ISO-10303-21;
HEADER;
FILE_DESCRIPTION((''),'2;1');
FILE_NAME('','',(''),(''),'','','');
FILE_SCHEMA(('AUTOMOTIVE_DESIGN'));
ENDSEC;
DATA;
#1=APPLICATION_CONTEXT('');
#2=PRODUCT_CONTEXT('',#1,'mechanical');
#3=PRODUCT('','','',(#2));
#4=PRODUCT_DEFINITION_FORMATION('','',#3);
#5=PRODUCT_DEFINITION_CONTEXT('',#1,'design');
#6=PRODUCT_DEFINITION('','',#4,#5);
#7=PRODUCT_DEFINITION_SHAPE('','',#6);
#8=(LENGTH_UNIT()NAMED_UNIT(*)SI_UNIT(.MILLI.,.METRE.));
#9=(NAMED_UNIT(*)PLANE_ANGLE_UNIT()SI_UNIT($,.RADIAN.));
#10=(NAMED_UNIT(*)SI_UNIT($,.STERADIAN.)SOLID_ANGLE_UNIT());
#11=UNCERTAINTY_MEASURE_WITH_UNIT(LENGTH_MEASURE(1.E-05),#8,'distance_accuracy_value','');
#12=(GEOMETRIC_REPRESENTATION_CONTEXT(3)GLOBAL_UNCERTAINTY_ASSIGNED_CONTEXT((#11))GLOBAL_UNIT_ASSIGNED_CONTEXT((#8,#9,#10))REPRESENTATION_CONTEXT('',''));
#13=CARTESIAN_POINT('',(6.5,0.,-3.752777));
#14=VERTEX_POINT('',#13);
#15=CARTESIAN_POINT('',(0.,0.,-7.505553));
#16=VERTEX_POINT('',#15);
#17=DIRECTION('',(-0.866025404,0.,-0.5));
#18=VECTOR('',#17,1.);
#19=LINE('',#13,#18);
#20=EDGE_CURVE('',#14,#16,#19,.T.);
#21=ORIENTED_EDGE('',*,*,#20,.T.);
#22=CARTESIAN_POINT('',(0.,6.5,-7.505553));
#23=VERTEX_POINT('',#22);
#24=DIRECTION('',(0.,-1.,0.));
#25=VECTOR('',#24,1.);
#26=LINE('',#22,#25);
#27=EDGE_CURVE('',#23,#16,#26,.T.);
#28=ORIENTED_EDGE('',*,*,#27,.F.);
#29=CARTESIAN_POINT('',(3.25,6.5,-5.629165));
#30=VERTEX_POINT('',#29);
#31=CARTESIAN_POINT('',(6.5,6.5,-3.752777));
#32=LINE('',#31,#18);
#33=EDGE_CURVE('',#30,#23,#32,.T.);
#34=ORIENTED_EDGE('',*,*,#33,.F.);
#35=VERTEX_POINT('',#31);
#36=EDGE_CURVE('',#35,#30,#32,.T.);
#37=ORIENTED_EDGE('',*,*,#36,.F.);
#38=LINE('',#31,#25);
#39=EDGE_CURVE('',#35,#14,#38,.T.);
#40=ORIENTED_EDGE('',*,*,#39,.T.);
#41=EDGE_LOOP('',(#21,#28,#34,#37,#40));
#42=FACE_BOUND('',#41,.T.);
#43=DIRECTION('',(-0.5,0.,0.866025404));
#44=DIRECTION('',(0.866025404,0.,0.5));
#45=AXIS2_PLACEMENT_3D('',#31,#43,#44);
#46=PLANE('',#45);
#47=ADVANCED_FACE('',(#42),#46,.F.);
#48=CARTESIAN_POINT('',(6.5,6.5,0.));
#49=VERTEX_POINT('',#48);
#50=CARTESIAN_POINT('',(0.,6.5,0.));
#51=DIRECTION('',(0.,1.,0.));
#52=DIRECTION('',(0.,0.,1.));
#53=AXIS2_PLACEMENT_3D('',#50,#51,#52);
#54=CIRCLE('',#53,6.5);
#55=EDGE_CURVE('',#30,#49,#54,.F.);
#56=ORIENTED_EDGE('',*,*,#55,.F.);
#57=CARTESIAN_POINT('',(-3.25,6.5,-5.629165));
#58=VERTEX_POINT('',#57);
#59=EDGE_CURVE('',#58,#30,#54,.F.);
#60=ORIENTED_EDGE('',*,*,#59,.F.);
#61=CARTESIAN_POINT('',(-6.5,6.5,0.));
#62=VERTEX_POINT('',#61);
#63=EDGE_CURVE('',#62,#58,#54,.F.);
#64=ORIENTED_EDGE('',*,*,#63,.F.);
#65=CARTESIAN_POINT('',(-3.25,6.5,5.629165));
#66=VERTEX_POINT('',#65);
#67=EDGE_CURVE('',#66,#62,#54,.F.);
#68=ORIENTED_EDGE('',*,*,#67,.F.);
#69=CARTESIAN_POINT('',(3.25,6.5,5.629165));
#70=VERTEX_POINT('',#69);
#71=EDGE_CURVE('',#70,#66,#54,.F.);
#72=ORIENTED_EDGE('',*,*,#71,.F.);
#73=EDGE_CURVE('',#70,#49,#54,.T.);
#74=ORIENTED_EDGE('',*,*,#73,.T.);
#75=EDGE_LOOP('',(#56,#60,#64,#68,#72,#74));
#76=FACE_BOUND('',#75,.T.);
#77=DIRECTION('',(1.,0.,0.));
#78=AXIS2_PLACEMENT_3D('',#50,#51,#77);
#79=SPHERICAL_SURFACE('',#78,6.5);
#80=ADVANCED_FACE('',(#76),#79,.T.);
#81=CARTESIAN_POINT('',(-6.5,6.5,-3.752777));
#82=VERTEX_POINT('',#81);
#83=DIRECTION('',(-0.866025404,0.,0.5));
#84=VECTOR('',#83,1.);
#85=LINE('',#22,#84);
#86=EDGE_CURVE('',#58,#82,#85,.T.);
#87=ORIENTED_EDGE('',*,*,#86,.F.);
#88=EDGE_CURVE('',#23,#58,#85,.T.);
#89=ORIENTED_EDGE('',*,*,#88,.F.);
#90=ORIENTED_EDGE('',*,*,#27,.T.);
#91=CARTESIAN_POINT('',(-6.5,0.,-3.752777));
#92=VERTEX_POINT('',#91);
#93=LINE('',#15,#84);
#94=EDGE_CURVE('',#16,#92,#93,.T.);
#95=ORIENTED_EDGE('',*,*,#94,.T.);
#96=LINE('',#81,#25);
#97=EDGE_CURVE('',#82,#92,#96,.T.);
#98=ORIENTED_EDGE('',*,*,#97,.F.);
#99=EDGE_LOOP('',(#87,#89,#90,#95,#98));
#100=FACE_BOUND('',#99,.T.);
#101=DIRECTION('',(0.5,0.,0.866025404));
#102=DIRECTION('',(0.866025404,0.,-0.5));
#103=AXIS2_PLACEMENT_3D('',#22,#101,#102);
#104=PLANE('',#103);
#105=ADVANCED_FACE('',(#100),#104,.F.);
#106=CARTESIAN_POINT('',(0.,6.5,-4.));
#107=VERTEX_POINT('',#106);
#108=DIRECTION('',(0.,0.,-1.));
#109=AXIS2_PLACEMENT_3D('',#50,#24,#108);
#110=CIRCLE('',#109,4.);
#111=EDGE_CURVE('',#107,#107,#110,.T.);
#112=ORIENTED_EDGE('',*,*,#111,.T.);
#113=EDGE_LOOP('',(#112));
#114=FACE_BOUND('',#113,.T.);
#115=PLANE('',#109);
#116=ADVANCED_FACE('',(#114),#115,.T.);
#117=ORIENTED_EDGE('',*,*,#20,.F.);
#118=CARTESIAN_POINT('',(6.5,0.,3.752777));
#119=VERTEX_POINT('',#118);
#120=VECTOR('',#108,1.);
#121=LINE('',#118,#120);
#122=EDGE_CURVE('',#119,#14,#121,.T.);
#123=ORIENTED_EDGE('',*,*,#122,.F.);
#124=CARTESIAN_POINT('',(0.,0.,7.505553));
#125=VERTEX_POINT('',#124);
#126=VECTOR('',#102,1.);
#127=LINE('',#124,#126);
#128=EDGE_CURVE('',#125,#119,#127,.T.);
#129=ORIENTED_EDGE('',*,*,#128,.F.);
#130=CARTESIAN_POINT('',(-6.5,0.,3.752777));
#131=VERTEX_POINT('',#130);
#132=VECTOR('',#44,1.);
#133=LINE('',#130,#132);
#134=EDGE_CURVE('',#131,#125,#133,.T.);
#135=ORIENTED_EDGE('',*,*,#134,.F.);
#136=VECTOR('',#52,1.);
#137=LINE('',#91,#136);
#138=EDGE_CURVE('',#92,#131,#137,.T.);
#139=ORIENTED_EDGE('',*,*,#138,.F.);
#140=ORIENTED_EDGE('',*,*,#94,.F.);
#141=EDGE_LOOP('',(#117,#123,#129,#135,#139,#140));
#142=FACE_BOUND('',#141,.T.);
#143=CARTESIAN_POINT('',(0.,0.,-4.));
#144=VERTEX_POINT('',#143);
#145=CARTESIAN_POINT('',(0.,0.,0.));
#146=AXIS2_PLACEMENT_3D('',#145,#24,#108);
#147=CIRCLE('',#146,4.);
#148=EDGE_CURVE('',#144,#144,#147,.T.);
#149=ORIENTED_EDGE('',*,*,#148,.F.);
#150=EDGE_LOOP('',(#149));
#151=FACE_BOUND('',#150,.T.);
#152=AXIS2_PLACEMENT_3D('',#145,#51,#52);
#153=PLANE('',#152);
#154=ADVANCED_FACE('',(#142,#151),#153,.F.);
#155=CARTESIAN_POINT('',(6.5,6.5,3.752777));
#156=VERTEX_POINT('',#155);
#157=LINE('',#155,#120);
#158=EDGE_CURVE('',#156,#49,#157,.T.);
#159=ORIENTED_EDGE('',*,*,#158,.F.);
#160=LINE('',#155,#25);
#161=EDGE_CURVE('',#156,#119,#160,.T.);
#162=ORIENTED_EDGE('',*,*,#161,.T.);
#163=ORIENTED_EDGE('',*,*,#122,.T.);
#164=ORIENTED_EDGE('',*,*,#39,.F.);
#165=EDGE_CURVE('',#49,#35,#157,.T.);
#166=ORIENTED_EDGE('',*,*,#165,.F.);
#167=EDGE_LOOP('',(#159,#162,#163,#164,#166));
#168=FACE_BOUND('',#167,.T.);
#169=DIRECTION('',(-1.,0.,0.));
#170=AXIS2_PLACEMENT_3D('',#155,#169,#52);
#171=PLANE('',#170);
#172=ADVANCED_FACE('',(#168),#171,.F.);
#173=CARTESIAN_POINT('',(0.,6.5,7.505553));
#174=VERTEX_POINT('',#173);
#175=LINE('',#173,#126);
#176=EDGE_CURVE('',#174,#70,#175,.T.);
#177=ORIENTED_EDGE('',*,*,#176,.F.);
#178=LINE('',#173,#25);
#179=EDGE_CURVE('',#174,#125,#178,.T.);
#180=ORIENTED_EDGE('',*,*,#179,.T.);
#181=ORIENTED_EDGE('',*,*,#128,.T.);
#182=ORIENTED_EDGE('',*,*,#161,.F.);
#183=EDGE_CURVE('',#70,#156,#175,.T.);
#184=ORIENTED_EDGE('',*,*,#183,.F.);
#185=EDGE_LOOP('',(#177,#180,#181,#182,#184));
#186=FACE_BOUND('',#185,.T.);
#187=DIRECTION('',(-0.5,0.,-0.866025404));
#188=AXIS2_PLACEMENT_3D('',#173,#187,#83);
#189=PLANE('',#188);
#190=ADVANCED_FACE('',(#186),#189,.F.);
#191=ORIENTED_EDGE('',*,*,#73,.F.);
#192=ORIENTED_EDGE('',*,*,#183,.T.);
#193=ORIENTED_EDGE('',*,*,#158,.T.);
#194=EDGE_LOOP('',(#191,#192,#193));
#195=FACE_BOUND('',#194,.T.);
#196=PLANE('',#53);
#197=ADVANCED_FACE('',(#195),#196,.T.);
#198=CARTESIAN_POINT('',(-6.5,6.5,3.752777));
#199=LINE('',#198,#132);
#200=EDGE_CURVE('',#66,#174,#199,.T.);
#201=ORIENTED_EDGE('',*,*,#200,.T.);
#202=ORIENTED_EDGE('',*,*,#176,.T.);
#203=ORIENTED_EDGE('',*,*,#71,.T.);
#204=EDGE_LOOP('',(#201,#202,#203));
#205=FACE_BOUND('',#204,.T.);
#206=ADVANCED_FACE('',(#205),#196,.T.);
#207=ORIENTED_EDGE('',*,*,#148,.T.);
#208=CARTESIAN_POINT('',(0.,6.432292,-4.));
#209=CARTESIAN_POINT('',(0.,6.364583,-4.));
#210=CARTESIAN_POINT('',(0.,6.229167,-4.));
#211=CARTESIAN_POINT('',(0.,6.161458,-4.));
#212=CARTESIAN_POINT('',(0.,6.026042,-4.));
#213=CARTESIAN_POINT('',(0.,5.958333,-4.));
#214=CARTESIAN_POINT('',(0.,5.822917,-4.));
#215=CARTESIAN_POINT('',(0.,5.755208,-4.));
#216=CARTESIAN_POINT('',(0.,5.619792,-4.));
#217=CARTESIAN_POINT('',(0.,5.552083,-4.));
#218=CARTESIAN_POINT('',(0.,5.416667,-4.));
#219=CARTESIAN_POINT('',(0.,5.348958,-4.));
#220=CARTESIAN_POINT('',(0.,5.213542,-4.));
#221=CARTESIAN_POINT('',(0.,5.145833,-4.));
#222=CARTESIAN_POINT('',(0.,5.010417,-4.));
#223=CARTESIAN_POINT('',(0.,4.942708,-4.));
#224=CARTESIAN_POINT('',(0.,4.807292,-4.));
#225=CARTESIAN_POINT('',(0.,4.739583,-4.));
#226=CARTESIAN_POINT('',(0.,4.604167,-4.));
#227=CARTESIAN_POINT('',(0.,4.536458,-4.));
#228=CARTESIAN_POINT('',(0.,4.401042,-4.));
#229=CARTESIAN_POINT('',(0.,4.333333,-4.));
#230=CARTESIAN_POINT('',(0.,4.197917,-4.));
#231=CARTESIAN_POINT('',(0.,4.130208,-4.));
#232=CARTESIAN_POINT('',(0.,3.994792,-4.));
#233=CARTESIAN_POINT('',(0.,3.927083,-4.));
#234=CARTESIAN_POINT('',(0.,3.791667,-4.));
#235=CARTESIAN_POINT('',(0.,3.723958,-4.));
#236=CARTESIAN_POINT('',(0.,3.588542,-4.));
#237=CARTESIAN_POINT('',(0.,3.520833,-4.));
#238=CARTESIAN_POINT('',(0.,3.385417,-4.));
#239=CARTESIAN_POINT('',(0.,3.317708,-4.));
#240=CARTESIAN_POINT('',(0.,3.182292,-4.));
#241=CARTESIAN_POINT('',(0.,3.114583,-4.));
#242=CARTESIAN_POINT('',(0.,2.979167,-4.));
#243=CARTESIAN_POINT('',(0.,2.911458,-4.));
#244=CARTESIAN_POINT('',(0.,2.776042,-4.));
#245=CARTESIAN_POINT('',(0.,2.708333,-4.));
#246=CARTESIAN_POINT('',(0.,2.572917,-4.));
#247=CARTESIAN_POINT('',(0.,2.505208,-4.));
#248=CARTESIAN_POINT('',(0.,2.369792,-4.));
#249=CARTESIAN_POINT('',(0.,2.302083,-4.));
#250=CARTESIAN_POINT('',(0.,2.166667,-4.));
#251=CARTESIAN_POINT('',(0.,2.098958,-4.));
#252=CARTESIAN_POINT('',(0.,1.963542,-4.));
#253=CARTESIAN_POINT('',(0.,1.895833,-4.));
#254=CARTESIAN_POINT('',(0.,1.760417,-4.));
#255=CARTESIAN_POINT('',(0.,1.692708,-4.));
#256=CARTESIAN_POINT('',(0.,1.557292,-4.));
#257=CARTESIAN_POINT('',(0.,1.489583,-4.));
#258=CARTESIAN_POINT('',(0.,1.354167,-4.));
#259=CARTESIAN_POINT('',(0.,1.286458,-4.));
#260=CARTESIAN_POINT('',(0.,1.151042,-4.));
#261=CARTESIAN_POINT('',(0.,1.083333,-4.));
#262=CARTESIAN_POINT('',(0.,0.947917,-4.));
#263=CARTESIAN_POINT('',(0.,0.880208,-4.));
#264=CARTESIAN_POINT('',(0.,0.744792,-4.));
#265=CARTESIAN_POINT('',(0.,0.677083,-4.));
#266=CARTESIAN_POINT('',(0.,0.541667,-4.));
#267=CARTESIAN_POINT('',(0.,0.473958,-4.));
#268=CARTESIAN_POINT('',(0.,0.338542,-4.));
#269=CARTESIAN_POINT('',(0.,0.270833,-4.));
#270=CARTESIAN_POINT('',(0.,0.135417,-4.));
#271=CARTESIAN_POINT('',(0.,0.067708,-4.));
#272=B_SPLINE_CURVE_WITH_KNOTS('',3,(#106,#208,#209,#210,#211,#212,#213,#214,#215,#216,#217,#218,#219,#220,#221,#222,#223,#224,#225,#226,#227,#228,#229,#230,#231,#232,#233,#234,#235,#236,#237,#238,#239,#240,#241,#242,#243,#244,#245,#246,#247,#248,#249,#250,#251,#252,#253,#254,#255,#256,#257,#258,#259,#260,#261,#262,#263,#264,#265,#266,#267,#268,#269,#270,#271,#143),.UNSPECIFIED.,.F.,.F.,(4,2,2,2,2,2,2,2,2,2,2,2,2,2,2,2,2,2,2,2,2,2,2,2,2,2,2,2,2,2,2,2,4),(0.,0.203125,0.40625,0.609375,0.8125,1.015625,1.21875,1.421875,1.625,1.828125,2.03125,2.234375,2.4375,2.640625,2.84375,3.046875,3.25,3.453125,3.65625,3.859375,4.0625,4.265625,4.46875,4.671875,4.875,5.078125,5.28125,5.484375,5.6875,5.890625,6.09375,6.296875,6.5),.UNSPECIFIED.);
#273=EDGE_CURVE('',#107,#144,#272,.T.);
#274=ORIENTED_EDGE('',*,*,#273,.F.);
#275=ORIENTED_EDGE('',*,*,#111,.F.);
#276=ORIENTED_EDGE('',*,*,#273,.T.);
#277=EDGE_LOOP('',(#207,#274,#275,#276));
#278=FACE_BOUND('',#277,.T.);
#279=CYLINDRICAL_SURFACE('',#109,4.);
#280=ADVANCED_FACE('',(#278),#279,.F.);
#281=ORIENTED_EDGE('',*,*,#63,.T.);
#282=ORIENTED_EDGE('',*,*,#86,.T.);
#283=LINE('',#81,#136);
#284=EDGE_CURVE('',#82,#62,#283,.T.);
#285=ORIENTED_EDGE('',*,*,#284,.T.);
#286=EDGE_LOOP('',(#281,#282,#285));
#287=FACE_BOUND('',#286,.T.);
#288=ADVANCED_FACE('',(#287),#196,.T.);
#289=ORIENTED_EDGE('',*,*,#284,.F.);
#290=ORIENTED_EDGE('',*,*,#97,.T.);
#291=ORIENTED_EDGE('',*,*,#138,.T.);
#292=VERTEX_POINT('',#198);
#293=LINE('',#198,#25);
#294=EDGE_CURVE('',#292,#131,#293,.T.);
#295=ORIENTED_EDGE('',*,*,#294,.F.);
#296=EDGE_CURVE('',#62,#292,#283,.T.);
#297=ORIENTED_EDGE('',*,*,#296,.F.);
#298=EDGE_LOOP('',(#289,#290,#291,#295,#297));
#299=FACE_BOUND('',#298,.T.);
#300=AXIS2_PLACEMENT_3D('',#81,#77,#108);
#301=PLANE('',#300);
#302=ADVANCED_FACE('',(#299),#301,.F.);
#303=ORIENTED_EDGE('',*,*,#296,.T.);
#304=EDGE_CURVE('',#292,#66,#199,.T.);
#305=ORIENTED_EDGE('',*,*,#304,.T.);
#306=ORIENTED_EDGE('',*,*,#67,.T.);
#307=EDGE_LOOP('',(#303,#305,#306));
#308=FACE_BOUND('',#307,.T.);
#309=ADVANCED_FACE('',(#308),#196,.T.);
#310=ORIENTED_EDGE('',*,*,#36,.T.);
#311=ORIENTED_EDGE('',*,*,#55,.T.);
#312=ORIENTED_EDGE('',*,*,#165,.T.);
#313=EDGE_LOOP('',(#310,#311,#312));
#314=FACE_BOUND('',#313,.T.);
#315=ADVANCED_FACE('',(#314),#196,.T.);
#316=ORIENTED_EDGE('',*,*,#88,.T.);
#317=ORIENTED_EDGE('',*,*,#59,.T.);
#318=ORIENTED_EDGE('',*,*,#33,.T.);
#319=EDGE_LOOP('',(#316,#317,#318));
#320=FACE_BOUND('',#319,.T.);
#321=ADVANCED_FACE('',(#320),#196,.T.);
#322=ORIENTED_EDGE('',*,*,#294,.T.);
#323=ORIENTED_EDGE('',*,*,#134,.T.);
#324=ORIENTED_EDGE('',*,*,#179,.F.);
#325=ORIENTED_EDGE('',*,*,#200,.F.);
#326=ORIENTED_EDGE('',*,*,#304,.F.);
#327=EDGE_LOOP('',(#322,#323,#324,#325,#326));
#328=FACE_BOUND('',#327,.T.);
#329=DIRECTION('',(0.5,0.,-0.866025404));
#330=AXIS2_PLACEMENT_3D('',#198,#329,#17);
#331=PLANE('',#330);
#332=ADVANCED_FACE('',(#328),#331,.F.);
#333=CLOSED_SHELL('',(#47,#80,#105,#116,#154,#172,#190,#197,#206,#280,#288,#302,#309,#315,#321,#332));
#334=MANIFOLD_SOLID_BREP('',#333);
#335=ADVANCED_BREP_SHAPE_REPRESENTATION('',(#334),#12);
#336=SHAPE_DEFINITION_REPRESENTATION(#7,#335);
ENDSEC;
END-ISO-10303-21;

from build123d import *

# Parameters (mm, degrees)
EXTRUDE_1_DEPTH     = 6.5
SKETCH_6_R          = 4
CUT_EXTRUDE_1_DEPTH = 6.5


with BuildPart() as part:
    # ｽｹｯﾁ1 → ﾎﾞｽ - 押し出し1 (new body)
    with BuildSketch(Plane(origin=(0, 0, 0), x_dir=(1, 0, 0), z_dir=(0, 1, 0))):
        Polygon((0, -7.505553499), (6.5, -3.75277675), (6.5, 3.75277675), (0, 7.505553499), (-6.5, 3.75277675), (-6.5, -3.75277675), align=None)
    extrude(amount=EXTRUDE_1_DEPTH)

    # ｽｹｯﾁ5 → 回転1 (revolve)
    with BuildSketch(Plane.XY):
        with BuildLine():
            Line((0, 13), (0, 6.5))
            Line((0, 6.5), (6.5, 6.5))
            ThreePointArc((6.5, 6.5), (4.596194078, 11.096194078), (0, 13))
        make_face()
    revolve(axis=Axis((0, 13, 0), (0, -1, 0)))

    # ｽｹｯﾁ6 → ｶｯﾄ - 押し出し1 (cut)
    with BuildSketch(Plane.XZ):
        with Locations(Location((0, 0, 0), (0, 0, 270))):
            Circle(SKETCH_6_R)
    extrude(amount=-CUT_EXTRUDE_1_DEPTH, mode=Mode.SUBTRACT)


solid = part.part
